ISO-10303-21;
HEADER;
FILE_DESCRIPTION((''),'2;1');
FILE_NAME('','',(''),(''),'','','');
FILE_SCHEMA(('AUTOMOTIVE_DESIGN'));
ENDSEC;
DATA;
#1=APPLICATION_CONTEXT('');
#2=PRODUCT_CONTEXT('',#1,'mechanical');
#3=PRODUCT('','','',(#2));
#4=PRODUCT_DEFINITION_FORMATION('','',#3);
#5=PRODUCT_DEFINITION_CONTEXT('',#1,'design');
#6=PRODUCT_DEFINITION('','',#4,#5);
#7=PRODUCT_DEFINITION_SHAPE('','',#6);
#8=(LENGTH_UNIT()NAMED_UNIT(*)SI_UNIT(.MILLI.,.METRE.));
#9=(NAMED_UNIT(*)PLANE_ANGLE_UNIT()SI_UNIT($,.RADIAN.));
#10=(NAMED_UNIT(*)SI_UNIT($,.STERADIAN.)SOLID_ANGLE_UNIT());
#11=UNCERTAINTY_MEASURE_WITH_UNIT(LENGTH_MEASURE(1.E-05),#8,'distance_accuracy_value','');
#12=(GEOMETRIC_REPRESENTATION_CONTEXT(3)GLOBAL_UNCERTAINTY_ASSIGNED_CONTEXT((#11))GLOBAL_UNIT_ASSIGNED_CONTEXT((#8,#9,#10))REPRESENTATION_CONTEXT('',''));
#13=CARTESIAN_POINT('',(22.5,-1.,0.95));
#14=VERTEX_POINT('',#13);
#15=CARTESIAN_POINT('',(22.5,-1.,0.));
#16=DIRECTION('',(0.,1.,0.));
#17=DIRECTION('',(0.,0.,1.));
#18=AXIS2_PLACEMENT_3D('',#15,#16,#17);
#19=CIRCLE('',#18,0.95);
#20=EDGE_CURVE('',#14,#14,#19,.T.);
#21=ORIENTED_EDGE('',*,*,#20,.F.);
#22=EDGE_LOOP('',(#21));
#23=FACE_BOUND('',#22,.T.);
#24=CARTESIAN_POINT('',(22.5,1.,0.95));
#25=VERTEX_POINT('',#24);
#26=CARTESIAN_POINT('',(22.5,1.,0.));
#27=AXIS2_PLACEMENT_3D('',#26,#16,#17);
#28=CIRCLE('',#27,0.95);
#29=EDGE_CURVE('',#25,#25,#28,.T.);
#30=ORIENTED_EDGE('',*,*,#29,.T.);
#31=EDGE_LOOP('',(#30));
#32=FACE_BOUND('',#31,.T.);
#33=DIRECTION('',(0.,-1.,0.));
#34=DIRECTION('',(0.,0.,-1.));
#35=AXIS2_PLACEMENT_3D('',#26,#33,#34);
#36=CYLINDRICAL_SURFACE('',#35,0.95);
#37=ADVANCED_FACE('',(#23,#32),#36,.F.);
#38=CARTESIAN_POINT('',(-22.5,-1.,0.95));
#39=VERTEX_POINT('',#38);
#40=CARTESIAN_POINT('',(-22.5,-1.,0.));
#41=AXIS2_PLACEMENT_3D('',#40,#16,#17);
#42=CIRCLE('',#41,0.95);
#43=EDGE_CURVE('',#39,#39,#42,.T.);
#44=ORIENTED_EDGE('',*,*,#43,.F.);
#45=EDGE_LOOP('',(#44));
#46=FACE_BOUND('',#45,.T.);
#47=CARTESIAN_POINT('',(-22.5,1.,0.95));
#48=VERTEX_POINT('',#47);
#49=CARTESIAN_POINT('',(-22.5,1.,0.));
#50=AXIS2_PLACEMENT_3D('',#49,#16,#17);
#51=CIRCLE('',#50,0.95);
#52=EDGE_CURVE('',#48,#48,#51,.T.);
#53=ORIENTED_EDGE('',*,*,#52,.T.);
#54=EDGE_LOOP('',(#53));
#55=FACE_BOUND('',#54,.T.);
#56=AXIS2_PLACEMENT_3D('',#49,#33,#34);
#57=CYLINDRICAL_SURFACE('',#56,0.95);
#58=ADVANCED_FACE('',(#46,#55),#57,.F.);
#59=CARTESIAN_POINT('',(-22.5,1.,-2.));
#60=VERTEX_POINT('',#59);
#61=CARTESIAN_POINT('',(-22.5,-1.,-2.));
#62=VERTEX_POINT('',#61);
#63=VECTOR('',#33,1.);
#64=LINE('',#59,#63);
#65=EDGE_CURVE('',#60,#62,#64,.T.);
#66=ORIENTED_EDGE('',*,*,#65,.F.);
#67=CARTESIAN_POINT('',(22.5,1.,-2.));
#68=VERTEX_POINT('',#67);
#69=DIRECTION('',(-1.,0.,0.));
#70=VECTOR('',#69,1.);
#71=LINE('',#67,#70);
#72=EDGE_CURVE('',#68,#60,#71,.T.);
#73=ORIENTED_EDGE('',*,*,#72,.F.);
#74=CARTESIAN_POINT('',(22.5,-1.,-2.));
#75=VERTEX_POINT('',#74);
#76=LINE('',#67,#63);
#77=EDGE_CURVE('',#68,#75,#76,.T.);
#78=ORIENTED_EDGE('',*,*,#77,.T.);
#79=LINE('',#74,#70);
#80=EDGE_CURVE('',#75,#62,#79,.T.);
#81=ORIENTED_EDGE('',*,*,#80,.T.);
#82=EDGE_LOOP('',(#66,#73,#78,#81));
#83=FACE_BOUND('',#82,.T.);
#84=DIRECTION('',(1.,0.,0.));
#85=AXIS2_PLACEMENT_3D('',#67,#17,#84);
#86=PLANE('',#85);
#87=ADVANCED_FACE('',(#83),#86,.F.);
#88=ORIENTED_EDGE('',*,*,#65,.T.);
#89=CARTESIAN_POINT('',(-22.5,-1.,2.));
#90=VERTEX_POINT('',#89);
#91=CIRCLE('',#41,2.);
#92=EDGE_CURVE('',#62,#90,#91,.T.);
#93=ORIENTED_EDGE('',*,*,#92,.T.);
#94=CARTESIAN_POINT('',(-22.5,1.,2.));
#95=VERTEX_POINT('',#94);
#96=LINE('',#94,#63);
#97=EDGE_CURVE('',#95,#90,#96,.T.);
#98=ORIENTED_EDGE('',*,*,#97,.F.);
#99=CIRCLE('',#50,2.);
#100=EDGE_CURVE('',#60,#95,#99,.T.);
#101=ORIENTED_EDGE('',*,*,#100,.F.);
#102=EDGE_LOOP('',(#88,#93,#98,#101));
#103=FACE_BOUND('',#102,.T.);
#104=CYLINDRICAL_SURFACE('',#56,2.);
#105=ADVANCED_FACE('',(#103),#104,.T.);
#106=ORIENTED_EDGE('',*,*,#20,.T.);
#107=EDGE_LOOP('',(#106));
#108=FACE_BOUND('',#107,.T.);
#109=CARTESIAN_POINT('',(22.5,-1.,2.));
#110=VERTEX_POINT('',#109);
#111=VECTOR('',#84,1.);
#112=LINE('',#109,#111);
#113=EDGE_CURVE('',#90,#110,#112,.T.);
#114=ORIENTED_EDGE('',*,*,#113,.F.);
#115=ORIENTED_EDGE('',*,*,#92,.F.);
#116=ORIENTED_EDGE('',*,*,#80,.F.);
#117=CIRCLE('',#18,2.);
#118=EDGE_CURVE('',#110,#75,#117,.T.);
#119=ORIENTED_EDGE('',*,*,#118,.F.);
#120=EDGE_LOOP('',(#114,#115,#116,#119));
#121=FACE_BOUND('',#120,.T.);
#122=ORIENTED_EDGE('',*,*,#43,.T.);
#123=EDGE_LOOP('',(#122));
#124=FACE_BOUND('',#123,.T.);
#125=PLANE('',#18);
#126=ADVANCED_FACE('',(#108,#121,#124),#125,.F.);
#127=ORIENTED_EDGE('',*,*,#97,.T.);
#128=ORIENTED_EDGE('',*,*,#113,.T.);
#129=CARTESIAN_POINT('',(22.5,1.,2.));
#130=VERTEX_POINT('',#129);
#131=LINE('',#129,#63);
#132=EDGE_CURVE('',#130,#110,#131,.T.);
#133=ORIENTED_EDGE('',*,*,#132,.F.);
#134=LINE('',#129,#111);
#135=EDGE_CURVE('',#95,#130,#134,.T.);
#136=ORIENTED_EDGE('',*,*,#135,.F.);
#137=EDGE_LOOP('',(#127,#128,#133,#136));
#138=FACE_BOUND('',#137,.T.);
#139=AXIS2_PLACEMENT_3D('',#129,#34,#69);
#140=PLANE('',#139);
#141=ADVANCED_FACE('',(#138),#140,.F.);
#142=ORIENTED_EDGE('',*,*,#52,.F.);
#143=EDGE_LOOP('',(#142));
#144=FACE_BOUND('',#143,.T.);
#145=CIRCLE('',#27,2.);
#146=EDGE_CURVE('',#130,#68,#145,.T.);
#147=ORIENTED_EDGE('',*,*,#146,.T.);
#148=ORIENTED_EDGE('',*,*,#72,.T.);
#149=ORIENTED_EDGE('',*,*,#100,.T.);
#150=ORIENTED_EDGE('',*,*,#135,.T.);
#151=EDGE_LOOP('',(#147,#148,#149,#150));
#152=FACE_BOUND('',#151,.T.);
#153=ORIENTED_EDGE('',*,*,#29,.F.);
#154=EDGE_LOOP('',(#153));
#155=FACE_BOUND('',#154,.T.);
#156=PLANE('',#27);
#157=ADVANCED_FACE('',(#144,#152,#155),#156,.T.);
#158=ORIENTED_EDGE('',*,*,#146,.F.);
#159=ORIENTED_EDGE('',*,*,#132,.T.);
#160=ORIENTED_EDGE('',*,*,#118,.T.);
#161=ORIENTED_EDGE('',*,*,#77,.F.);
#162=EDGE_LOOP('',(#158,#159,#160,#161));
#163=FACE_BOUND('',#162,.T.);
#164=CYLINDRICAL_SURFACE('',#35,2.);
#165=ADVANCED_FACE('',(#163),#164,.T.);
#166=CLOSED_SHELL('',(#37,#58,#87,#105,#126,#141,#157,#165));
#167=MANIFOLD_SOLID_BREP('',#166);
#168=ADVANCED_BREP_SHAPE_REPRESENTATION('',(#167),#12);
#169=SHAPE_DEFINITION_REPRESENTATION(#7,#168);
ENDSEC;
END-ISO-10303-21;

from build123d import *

# Parameters (mm, degrees)
SKETCH1_R           = 0.95
BOSS_EXTRUDE1_DEPTH = 1


with BuildPart() as part:
    # Sketch1 → Boss-Extrude1 (new, symmetric)
    with BuildSketch(Plane(origin=(0, 0, 0), x_dir=(1, 0, 0), z_dir=(0, 1, 0))):
        with BuildLine():
            Line((22.5, -2), (-22.5, -2))
            ThreePointArc((-22.5, -2), (-24.5, 0), (-22.5, 2))
            Line((-22.5, 2), (22.5, 2))
            ThreePointArc((22.5, 2), (24.5, 0), (22.5, -2))
        make_face()
        with Locations(Location((-22.5, 0, 0), (0, 0, 270))):
            Circle(SKETCH1_R, mode=Mode.SUBTRACT)
        with Locations(Location((22.5, 0, 0), (0, 0, 270))):
            Circle(SKETCH1_R, mode=Mode.SUBTRACT)
    extrude(amount=BOSS_EXTRUDE1_DEPTH, both=True)


solid = part.part
